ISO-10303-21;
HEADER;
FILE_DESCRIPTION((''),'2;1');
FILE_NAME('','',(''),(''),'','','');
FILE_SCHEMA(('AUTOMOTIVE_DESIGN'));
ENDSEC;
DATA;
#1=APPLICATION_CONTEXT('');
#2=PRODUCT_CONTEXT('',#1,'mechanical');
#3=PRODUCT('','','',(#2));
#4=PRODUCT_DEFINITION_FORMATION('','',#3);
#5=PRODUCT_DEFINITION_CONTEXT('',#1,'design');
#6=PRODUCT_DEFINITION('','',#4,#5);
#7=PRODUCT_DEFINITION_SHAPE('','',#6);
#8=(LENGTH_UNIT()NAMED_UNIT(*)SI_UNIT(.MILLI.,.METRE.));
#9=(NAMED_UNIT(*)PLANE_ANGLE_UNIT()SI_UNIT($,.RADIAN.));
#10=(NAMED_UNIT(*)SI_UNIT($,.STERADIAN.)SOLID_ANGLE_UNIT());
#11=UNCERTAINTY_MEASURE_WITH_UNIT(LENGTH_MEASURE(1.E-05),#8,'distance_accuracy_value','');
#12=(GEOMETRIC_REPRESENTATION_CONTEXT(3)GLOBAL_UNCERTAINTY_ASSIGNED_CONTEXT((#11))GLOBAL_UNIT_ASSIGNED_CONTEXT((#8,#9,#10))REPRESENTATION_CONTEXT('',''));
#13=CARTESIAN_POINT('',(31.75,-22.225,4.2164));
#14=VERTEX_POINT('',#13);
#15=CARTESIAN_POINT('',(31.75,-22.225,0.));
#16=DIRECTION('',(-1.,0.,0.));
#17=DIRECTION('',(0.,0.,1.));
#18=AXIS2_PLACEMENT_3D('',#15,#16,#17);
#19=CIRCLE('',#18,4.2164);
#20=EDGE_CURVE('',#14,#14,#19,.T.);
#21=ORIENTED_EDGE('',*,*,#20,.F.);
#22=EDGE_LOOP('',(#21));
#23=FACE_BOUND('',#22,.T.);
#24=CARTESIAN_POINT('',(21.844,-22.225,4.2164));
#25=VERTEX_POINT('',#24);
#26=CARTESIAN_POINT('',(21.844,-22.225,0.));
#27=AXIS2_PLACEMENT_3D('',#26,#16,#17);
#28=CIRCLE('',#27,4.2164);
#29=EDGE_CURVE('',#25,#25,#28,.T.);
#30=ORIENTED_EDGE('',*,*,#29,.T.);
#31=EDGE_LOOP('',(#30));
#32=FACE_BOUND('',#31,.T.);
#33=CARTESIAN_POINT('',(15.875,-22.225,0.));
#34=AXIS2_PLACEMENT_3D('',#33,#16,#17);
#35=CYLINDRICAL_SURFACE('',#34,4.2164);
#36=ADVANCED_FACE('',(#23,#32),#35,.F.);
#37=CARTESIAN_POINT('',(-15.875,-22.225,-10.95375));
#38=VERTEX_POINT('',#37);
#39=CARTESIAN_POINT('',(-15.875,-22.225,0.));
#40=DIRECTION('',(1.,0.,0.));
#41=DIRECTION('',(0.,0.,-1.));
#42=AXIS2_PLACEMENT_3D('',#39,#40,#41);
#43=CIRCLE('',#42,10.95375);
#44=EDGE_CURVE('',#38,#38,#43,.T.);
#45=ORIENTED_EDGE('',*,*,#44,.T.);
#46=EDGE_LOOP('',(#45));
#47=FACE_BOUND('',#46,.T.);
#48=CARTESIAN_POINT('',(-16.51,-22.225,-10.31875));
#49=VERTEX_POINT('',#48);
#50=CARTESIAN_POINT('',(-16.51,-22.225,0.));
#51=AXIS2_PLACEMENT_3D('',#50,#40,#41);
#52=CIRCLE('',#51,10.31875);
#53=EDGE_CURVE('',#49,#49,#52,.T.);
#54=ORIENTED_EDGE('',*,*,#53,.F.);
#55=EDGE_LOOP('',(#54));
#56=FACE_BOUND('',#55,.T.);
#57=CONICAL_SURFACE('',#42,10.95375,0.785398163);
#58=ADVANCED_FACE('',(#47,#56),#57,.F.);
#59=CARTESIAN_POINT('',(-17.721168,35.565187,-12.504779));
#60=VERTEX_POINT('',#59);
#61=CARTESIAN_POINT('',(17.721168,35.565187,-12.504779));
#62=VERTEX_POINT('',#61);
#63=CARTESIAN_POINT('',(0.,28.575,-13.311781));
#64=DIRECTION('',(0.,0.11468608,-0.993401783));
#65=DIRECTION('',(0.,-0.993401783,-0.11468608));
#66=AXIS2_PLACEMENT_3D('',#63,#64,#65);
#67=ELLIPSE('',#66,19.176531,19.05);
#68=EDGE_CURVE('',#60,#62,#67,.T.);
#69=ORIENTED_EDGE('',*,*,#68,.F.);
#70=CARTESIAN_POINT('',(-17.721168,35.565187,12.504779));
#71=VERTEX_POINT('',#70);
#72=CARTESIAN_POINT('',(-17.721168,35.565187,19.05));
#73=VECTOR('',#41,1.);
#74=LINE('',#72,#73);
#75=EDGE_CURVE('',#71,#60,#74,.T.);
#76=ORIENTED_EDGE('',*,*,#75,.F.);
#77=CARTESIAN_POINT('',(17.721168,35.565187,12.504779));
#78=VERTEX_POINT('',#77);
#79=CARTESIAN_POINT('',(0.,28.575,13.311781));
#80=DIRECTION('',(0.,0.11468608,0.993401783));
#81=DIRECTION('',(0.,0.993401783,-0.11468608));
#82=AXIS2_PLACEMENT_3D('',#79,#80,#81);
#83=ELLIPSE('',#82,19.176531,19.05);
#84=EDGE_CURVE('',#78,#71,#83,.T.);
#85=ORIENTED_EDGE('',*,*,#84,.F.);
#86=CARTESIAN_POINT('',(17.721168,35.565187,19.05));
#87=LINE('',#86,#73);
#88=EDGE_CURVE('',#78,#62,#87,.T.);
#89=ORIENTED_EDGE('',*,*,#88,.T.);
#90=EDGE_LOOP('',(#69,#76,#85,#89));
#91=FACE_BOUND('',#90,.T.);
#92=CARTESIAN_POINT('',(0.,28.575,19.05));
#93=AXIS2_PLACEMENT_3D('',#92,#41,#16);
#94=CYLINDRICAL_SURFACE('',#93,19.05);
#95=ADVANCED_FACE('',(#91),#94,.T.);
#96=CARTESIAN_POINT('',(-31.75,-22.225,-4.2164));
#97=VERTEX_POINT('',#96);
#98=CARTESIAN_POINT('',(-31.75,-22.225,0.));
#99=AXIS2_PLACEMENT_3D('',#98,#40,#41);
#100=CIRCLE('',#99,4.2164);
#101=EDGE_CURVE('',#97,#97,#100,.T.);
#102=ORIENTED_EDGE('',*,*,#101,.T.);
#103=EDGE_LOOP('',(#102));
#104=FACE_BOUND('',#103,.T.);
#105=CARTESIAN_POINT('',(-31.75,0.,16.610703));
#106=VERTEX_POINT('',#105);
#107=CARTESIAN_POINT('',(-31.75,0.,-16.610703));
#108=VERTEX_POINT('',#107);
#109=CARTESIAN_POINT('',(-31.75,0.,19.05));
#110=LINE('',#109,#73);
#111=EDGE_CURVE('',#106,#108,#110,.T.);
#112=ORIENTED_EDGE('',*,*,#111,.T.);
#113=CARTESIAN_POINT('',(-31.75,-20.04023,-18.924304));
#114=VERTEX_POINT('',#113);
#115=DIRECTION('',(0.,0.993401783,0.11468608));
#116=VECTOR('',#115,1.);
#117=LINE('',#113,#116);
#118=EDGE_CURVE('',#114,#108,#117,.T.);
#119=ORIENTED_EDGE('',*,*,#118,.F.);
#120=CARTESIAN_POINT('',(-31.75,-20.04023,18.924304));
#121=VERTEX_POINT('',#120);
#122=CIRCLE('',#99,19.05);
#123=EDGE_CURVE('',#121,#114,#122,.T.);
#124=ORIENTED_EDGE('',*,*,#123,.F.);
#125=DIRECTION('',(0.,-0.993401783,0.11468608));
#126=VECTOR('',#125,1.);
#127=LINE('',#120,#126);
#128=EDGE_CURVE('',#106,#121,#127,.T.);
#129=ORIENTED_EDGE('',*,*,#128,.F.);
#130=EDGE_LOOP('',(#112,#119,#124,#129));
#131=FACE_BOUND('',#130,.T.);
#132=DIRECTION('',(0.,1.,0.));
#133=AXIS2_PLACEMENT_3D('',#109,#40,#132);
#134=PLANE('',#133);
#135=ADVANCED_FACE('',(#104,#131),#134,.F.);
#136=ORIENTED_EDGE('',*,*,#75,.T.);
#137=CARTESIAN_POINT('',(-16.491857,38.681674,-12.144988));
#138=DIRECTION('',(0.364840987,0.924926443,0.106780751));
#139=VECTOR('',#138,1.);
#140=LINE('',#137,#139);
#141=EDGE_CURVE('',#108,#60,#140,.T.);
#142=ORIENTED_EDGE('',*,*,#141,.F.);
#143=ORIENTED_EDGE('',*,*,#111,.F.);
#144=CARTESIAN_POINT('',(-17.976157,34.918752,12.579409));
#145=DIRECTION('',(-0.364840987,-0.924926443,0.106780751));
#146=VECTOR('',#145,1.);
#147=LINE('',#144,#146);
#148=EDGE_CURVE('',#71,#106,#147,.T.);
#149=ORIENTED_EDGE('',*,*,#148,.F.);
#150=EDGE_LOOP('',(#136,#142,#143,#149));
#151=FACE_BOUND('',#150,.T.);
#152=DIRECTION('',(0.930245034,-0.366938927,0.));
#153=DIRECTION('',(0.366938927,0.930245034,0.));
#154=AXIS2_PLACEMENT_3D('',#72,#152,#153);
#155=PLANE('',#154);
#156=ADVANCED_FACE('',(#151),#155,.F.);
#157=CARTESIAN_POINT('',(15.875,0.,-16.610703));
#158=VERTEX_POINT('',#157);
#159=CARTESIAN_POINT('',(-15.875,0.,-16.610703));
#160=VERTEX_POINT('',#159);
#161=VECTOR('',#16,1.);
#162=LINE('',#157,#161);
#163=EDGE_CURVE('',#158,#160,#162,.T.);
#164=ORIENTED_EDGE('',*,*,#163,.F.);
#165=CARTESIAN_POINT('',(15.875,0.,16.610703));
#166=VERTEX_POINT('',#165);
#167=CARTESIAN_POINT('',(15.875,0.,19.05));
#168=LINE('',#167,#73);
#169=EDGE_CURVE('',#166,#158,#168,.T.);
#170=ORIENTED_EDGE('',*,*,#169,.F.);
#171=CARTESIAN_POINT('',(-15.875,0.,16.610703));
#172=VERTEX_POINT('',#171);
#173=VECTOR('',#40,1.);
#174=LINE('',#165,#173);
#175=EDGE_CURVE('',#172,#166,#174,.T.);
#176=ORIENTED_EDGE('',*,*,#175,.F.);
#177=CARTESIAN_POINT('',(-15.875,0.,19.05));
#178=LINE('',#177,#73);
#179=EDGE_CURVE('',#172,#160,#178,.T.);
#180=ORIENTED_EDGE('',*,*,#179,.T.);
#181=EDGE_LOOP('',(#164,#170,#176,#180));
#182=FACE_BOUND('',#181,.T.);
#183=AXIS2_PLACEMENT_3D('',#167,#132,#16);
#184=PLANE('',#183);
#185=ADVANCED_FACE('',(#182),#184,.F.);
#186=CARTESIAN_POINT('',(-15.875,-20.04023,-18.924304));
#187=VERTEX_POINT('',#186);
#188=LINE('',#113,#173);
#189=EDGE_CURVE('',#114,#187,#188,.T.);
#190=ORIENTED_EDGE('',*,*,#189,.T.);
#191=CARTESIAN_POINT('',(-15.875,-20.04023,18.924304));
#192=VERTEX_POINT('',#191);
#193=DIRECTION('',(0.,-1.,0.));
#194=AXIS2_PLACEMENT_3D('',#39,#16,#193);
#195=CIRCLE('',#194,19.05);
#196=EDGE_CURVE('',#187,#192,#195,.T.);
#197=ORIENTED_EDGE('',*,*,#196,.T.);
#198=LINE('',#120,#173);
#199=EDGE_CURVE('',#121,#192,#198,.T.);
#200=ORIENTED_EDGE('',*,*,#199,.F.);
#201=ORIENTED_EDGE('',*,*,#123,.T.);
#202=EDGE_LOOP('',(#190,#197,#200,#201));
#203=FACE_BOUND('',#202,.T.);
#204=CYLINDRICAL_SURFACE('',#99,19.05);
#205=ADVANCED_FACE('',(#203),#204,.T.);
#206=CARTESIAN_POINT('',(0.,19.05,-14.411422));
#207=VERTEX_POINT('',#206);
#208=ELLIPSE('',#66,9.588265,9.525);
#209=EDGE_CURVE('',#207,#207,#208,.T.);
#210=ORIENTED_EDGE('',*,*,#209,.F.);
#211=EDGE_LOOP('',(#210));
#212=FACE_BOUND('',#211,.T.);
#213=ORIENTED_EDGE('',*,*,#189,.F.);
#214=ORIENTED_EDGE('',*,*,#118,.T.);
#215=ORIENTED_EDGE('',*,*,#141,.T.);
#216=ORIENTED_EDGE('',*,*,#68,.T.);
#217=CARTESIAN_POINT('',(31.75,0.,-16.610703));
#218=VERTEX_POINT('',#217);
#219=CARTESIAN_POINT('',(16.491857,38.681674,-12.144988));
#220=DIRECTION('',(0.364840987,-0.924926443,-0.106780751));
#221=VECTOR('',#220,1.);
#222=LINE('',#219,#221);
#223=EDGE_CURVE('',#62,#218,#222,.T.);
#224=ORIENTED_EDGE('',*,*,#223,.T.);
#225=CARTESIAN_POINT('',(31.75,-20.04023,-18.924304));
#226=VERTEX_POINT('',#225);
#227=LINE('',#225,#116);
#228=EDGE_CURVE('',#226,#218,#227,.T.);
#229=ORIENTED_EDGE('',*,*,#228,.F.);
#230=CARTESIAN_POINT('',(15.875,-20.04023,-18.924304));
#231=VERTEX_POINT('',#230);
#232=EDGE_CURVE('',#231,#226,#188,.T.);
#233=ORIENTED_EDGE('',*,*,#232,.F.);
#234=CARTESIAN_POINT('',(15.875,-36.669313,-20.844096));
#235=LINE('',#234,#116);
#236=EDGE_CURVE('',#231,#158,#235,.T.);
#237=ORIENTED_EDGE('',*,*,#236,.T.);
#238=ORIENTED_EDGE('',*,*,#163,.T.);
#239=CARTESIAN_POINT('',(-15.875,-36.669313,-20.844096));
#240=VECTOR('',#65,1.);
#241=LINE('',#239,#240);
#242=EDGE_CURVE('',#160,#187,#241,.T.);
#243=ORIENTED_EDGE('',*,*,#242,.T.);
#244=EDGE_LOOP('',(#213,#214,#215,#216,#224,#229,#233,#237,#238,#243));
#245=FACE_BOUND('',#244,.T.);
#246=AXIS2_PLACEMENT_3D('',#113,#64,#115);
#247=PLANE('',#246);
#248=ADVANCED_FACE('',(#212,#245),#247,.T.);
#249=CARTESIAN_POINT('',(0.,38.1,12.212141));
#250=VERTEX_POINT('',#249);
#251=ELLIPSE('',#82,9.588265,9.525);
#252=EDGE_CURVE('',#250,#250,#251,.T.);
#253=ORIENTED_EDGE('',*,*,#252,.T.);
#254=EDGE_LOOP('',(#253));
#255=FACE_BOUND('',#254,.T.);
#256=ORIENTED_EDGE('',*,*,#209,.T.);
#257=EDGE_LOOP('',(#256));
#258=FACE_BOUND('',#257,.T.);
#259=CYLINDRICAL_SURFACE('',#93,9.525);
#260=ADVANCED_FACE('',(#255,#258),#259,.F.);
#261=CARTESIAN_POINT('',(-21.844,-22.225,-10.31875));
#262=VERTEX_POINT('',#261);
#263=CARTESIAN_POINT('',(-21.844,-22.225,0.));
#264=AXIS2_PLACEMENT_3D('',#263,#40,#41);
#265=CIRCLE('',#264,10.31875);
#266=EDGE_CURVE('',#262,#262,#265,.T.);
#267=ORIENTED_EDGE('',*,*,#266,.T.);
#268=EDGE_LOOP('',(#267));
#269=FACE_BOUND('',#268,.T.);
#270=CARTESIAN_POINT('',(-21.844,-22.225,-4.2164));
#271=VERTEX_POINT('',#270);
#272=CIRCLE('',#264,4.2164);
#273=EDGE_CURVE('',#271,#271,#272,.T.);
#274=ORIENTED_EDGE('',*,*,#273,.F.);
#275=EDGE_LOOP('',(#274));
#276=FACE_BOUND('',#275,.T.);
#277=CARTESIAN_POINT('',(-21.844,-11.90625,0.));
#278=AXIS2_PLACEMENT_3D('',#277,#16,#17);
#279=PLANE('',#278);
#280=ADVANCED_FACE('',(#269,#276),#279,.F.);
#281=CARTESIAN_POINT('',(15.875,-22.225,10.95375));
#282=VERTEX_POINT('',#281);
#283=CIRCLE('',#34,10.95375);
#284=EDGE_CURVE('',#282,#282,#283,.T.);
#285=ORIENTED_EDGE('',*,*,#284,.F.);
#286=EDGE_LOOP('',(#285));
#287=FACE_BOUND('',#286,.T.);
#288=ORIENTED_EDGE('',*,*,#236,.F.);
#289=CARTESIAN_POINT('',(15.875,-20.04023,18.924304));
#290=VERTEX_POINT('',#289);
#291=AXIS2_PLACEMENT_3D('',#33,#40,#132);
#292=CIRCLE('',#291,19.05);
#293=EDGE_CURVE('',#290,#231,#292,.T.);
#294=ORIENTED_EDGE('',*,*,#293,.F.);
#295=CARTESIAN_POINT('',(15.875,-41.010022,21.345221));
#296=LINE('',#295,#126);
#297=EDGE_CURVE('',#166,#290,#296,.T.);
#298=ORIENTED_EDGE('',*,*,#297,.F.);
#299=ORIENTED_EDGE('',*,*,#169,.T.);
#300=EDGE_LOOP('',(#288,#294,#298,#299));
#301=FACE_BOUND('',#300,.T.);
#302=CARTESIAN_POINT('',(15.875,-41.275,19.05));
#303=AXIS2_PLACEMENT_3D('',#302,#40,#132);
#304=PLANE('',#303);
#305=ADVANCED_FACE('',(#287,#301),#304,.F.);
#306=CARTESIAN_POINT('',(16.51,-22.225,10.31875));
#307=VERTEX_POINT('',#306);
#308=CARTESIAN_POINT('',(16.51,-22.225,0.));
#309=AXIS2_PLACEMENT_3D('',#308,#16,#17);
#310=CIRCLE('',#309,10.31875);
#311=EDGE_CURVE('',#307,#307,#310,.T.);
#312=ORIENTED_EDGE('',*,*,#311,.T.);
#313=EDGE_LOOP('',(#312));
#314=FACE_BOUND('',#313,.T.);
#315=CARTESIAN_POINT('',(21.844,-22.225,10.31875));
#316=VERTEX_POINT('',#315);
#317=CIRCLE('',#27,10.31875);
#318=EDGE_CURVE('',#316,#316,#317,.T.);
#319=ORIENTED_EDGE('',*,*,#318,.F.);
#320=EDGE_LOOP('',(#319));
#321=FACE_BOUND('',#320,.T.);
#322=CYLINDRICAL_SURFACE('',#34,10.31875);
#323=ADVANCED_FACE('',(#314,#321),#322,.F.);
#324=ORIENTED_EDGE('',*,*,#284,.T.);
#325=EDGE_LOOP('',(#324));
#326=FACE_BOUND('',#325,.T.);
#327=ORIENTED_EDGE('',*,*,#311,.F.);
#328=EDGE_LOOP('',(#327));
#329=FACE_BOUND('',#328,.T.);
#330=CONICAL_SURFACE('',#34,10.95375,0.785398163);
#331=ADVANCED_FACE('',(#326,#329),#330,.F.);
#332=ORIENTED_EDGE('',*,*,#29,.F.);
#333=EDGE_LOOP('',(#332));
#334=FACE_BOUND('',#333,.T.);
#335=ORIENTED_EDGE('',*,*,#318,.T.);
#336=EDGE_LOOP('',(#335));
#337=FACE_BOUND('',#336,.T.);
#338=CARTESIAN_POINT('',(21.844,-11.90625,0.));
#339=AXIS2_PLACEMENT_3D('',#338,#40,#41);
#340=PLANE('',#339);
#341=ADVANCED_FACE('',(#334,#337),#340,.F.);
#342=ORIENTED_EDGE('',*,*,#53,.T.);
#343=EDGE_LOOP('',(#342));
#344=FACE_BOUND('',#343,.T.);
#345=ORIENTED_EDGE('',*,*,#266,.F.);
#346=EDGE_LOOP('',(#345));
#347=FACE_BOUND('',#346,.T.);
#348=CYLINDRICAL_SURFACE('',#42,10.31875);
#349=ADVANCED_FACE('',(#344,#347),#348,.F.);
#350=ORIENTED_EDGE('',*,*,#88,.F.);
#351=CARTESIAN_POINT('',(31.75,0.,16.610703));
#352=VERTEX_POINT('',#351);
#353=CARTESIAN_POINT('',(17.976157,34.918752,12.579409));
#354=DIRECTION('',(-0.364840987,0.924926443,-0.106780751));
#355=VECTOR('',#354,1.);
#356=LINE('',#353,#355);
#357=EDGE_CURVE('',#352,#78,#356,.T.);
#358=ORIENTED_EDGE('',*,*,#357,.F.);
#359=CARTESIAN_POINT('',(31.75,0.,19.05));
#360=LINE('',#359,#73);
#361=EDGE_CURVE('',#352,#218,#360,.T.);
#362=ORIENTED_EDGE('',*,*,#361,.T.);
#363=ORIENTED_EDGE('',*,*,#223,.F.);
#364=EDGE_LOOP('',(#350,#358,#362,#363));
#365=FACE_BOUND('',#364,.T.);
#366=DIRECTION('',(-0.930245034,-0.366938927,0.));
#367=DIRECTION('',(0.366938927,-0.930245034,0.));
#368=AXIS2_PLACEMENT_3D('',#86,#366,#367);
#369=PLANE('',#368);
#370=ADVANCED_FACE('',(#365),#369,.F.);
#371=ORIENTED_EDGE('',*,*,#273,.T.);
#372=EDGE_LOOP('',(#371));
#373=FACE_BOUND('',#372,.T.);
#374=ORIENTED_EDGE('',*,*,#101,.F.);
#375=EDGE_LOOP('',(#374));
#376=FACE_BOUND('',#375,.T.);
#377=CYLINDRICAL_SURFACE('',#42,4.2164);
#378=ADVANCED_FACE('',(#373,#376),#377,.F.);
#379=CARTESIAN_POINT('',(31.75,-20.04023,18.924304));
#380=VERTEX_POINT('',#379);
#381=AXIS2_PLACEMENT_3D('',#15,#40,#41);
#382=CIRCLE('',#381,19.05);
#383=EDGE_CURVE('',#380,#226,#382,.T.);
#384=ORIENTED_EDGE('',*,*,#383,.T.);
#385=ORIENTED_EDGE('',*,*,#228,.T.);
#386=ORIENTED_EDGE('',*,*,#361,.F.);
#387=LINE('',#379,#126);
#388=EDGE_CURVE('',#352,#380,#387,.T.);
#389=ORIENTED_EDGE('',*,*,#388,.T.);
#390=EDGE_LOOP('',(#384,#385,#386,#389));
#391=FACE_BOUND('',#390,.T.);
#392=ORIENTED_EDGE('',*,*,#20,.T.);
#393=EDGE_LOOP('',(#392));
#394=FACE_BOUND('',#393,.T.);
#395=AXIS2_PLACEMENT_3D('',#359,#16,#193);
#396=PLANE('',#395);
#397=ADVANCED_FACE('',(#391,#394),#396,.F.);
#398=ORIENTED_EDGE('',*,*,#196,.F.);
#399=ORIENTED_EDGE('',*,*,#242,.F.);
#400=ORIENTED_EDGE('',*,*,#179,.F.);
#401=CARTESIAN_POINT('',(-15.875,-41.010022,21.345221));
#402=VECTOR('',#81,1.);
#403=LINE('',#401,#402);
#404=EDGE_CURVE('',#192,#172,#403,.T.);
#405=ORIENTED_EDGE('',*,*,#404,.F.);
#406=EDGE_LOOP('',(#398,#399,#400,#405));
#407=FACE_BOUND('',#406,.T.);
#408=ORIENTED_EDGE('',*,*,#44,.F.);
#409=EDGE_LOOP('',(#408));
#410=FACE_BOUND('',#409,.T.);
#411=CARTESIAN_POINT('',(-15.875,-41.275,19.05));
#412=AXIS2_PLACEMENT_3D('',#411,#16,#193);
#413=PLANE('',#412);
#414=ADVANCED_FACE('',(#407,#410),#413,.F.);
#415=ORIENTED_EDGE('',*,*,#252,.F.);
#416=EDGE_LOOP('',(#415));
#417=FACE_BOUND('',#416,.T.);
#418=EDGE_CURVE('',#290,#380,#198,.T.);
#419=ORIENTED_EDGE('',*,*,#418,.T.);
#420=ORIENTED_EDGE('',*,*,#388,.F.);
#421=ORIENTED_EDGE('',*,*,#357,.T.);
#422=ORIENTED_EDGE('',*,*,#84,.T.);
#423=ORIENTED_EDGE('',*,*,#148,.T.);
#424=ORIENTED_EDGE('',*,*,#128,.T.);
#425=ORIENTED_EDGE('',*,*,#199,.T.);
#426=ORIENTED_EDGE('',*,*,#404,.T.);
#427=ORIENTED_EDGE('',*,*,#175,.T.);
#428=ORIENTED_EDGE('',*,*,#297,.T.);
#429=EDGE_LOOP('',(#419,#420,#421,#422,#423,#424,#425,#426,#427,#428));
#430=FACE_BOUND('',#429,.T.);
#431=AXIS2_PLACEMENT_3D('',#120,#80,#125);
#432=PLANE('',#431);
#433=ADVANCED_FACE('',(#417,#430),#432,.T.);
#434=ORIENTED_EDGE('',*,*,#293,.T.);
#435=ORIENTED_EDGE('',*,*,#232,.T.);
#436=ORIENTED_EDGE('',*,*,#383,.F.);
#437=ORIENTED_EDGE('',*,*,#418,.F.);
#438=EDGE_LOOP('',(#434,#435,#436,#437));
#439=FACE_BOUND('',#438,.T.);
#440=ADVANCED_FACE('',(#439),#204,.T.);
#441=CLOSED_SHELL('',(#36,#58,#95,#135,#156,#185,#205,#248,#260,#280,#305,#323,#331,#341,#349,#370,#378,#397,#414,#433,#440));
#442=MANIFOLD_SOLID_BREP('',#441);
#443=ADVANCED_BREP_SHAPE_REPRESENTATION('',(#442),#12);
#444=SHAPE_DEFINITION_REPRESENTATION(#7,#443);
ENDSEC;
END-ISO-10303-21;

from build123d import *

# Parameters (mm, degrees)
SKETCH1_R               = 9.525
BOSS_EXTRUDE1_DEPTH     = 19.05
SKETCH2_OUTSIDE_W       = 63.24
SKETCH2_OUTSIDE_H       = 114.04
CUT_EXTRUDE1_DEPTH      = 32.75
CUT_EXTRUDE1_DEPTH_BACK = 32.75


with BuildPart() as part:
    # Sketch1 → Boss-Extrude1 (new body, symmetric)
    with BuildSketch(Plane.XY):
        with BuildLine():
            Line((17.721167904, 35.565186559), (31.75, 0))
            Line((31.75, 0), (31.75, -41.275))
            Line((31.75, -41.275), (15.875, -41.275))
            Line((15.875, -41.275), (15.875, 0))
            Line((15.875, 0), (-15.875, 0))
            Line((-15.875, 0), (-15.875, -41.275))
            Line((-15.875, -41.275), (-31.75, -41.275))
            Line((-31.75, -41.275), (-31.75, 0))
            Line((-31.75, 0), (-17.721167904, 35.565186559))
            ThreePointArc((-17.721167904, 35.565186559), (0, 47.625), (17.721167904, 35.565186559))
        make_face()
        with Locations((0, 28.575)):
            Circle(SKETCH1_R, mode=Mode.SUBTRACT)
    extrude(amount=BOSS_EXTRUDE1_DEPTH, both=True)

    # Sketch2 outside → Cut-Extrude1 (cut, two sides)
    with BuildSketch(Plane(origin=(0, 0, 0), x_dir=(0, 0, -1), z_dir=(1, 0, 0))) as cut_extrude1_sk:
        with Locations((0, 3.175)):
            Rectangle(SKETCH2_OUTSIDE_W, SKETCH2_OUTSIDE_H)
        with BuildLine():
            Line((18.924303972, -20.040230177), (11.1125, 47.625))
            Line((11.1125, 47.625), (-11.1125, 47.625))
            Line((-11.1125, 47.625), (-18.924303972, -20.040230177))
            ThreePointArc((-18.924303972, -20.040230177), (0, -41.275), (18.924303972, -20.040230177))
        make_face(mode=Mode.SUBTRACT)
    extrude(amount=CUT_EXTRUDE1_DEPTH, mode=Mode.SUBTRACT)
    extrude(cut_extrude1_sk.sketch, amount=-CUT_EXTRUDE1_DEPTH_BACK, mode=Mode.SUBTRACT)

    # Sketch6 → CBORE for 5/16 Hex Head Bolt2 (revolve, cut)
    with BuildSketch(Plane(origin=(-15.875, -22.225, 0), x_dir=(0, 0, -1), z_dir=(0, 1, 0))):
        Polygon((0, 0), (0, 15.875), (4.2164, 15.875), (4.2164, 5.969), (10.31875, 5.969), (10.31875, 0.635), (10.95375, 0), align=None)
    cbore_for_5_16_hex_head_bolt2 = revolve(axis=Axis((-9.525, -22.225, 0), (-1, 0, 0)), mode=Mode.SUBTRACT)

    # Mirror1: CBORE for 5/16 Hex Head Bolt2 across plane
    add(cbore_for_5_16_hex_head_bolt2.mirror(Plane(origin=(0, 0, 0), x_dir=(0, 0, 1), z_dir=(1, 0, 0))), mode=Mode.SUBTRACT)


solid = part.part
